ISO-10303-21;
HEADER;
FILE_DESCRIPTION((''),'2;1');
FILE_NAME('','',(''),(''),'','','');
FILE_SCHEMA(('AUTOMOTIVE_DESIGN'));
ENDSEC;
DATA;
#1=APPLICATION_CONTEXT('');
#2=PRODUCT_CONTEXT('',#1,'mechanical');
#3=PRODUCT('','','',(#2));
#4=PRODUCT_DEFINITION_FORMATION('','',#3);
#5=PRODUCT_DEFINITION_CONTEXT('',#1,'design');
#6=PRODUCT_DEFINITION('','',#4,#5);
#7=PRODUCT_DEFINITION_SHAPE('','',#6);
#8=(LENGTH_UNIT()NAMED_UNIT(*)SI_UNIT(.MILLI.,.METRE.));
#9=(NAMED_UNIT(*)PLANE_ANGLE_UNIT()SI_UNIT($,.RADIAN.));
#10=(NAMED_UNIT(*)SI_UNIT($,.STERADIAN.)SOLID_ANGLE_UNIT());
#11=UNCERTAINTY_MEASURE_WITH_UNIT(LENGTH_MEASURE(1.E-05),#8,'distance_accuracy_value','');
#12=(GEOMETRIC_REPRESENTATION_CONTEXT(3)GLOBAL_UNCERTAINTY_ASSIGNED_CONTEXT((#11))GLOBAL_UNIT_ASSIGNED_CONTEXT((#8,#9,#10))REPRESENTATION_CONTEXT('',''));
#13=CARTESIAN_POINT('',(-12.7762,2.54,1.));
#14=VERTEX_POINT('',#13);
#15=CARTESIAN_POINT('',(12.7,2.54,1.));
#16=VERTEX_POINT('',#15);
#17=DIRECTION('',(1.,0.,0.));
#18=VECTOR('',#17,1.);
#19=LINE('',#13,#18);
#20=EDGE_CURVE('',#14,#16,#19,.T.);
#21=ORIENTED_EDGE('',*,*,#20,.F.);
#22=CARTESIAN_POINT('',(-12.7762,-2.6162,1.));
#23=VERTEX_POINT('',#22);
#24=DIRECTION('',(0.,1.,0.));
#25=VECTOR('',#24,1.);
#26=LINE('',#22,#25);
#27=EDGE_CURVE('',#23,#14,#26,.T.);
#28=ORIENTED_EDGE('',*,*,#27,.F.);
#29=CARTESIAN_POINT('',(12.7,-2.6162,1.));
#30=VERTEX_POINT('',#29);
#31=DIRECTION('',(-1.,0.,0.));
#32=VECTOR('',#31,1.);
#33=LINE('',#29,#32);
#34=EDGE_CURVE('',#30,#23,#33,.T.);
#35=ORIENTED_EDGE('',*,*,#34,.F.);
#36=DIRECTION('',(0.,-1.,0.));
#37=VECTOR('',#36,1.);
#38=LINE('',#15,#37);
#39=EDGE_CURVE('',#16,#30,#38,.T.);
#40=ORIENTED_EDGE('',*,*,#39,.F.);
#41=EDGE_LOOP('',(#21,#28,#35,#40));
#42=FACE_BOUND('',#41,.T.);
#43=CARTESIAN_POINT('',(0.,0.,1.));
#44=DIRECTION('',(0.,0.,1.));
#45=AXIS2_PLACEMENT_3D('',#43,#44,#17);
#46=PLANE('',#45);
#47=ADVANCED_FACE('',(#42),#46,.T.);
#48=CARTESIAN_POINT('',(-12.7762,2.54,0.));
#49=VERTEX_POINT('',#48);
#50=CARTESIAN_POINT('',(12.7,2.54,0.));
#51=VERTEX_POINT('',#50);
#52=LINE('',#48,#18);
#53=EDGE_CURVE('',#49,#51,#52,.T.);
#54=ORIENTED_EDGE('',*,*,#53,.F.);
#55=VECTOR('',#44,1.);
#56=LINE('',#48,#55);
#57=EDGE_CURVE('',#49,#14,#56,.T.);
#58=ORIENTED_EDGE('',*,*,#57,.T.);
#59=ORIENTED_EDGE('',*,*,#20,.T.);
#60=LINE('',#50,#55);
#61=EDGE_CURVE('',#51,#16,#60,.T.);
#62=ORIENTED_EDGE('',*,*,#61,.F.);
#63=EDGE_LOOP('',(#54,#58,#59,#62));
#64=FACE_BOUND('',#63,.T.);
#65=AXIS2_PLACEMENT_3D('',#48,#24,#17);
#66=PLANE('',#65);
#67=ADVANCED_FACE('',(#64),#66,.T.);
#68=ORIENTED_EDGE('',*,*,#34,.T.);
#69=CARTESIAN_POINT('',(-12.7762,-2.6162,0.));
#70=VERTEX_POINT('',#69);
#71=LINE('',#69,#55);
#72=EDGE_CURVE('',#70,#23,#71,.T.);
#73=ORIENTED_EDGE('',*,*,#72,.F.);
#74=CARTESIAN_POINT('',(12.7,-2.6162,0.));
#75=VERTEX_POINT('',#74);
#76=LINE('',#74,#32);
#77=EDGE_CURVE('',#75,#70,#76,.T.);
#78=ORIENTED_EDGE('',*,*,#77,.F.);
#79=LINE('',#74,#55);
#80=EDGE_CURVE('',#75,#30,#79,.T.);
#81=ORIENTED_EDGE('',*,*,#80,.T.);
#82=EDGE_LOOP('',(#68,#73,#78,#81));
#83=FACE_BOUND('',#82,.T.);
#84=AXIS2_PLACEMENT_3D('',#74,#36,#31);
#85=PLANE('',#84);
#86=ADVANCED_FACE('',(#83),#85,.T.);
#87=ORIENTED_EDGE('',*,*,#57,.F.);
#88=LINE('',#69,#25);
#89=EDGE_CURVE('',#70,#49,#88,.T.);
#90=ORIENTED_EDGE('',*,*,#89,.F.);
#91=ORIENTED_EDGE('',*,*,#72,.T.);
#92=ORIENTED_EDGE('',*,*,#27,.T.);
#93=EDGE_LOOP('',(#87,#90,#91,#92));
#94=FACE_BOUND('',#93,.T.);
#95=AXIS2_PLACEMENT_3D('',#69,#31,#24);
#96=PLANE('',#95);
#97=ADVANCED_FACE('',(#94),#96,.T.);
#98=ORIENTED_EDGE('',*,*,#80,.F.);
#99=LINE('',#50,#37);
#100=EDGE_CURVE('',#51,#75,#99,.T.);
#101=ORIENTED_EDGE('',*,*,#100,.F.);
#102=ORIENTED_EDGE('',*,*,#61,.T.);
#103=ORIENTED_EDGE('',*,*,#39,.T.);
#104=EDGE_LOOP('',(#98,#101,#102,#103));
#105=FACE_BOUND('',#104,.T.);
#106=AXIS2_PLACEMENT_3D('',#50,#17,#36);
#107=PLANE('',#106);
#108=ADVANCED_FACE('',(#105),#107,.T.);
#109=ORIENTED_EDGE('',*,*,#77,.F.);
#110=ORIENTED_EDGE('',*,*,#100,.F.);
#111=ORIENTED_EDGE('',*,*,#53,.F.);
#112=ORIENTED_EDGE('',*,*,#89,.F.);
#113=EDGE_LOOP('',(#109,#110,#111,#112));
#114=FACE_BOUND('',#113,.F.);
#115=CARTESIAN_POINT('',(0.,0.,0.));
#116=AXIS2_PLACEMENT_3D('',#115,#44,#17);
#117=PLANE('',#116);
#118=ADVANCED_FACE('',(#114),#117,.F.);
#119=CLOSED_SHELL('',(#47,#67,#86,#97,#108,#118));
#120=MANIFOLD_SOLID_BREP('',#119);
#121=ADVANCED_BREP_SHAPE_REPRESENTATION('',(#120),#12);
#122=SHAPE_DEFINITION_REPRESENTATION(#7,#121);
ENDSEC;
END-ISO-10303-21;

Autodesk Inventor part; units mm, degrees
ref_plane "YZ Plane" through (0, 0, 0) normal (1, 0, 0) x (0, 1, 0)
ref_plane "XZ Plane" through (0, 0, 0) normal (0, 1, 0) x (-1, 0, 0)
ref_plane "XY Plane" through (0, 0, 0) normal (0, 0, 1) x (1, 0, 0)
sketch "2X10, 2X10_51" plane through (0, 0, 0) normal (0, 0, 1) x (1, 0, 0)
  line L0 (-12.7762, 2.54) -> (12.7, 2.54)
  line L1 (12.7, 2.54) -> (12.7, -2.6162)
  line L2 (12.7, -2.6162) -> (-12.7762, -2.6162)
  line L3 (-12.7762, -2.6162) -> (-12.7762, 2.54)
extrude "Extrusion1" add sketch "2X10, 2X10_51" along normal blind 1
properties part number "2X10"
